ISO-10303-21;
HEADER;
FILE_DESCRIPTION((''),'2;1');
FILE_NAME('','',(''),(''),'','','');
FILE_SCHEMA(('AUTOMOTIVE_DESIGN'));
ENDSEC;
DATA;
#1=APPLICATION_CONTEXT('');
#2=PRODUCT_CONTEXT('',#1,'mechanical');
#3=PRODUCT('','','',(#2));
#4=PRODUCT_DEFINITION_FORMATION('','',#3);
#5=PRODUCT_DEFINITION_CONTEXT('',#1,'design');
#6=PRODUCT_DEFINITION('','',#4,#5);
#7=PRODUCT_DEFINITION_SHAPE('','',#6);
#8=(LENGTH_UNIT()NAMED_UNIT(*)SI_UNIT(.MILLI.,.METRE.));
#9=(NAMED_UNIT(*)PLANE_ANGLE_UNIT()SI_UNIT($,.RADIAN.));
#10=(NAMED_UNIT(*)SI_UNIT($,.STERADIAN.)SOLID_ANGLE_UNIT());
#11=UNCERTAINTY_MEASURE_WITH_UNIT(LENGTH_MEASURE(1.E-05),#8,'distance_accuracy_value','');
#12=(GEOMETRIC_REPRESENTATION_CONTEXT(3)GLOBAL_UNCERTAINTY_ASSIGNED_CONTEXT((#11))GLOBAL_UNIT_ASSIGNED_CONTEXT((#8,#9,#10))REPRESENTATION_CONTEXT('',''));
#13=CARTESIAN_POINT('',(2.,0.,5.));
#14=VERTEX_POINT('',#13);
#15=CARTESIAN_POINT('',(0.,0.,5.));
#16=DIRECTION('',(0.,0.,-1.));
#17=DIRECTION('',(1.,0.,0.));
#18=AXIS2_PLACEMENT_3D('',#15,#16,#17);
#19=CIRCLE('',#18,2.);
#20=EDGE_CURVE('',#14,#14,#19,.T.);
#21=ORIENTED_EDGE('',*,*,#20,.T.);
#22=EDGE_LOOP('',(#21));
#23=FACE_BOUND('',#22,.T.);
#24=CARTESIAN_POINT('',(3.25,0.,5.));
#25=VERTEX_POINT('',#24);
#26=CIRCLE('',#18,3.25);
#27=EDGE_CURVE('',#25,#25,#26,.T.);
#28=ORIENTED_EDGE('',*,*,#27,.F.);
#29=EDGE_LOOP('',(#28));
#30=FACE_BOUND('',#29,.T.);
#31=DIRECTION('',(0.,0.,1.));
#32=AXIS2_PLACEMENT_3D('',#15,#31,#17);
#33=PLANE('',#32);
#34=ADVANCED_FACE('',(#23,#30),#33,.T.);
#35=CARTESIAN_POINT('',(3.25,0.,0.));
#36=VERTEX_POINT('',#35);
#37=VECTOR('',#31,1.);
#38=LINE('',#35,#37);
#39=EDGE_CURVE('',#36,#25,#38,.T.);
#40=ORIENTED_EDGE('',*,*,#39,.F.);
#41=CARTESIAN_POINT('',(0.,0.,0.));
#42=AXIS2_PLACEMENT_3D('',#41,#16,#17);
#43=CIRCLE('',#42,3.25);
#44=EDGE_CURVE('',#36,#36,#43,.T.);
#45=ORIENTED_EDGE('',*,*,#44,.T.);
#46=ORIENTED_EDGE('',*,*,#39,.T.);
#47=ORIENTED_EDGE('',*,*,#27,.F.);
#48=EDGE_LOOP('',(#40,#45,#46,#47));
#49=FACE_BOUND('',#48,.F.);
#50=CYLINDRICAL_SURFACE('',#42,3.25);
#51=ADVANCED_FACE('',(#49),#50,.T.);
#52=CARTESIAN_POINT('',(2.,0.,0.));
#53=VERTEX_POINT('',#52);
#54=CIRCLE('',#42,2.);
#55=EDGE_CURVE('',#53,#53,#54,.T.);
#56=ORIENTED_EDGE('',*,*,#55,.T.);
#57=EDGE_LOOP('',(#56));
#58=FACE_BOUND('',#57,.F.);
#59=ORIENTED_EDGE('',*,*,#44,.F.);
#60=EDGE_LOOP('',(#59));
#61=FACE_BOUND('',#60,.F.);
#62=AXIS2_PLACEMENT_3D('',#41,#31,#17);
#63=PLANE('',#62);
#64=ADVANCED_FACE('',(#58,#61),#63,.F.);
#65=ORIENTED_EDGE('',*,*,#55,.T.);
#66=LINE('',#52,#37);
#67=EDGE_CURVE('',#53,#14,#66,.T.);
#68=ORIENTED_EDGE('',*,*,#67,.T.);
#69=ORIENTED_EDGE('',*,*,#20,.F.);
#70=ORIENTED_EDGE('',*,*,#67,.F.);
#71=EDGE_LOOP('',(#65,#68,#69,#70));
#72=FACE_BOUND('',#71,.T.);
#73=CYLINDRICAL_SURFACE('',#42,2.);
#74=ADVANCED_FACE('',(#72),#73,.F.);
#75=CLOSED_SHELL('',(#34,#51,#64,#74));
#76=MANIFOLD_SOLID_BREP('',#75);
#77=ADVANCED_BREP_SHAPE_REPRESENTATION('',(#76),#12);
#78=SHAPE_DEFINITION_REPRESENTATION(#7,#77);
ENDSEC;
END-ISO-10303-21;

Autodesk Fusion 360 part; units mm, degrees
sketch "Sketch1" plane through (0, 0, 0) normal (0, 0, 1) x (1, 0, 0)
  circle A0 centre (0, 0) radius 2
  circle A1 centre (0, 0) radius 2.75
  dimension "d5" = 4
  dimension "d8" = 5.5
extrude "Extrude2" add sketch "Sketch1" along normal blind 6.6
move_face "OffsetFaces1" offset 0.5 1 faces at (2.7466, -0.1371, 4.4)
extrude "Extrude3" cut 1 faces at (2.8212, 0.1615, 6.6) along direction (0, 0, -1) blind 1.6
